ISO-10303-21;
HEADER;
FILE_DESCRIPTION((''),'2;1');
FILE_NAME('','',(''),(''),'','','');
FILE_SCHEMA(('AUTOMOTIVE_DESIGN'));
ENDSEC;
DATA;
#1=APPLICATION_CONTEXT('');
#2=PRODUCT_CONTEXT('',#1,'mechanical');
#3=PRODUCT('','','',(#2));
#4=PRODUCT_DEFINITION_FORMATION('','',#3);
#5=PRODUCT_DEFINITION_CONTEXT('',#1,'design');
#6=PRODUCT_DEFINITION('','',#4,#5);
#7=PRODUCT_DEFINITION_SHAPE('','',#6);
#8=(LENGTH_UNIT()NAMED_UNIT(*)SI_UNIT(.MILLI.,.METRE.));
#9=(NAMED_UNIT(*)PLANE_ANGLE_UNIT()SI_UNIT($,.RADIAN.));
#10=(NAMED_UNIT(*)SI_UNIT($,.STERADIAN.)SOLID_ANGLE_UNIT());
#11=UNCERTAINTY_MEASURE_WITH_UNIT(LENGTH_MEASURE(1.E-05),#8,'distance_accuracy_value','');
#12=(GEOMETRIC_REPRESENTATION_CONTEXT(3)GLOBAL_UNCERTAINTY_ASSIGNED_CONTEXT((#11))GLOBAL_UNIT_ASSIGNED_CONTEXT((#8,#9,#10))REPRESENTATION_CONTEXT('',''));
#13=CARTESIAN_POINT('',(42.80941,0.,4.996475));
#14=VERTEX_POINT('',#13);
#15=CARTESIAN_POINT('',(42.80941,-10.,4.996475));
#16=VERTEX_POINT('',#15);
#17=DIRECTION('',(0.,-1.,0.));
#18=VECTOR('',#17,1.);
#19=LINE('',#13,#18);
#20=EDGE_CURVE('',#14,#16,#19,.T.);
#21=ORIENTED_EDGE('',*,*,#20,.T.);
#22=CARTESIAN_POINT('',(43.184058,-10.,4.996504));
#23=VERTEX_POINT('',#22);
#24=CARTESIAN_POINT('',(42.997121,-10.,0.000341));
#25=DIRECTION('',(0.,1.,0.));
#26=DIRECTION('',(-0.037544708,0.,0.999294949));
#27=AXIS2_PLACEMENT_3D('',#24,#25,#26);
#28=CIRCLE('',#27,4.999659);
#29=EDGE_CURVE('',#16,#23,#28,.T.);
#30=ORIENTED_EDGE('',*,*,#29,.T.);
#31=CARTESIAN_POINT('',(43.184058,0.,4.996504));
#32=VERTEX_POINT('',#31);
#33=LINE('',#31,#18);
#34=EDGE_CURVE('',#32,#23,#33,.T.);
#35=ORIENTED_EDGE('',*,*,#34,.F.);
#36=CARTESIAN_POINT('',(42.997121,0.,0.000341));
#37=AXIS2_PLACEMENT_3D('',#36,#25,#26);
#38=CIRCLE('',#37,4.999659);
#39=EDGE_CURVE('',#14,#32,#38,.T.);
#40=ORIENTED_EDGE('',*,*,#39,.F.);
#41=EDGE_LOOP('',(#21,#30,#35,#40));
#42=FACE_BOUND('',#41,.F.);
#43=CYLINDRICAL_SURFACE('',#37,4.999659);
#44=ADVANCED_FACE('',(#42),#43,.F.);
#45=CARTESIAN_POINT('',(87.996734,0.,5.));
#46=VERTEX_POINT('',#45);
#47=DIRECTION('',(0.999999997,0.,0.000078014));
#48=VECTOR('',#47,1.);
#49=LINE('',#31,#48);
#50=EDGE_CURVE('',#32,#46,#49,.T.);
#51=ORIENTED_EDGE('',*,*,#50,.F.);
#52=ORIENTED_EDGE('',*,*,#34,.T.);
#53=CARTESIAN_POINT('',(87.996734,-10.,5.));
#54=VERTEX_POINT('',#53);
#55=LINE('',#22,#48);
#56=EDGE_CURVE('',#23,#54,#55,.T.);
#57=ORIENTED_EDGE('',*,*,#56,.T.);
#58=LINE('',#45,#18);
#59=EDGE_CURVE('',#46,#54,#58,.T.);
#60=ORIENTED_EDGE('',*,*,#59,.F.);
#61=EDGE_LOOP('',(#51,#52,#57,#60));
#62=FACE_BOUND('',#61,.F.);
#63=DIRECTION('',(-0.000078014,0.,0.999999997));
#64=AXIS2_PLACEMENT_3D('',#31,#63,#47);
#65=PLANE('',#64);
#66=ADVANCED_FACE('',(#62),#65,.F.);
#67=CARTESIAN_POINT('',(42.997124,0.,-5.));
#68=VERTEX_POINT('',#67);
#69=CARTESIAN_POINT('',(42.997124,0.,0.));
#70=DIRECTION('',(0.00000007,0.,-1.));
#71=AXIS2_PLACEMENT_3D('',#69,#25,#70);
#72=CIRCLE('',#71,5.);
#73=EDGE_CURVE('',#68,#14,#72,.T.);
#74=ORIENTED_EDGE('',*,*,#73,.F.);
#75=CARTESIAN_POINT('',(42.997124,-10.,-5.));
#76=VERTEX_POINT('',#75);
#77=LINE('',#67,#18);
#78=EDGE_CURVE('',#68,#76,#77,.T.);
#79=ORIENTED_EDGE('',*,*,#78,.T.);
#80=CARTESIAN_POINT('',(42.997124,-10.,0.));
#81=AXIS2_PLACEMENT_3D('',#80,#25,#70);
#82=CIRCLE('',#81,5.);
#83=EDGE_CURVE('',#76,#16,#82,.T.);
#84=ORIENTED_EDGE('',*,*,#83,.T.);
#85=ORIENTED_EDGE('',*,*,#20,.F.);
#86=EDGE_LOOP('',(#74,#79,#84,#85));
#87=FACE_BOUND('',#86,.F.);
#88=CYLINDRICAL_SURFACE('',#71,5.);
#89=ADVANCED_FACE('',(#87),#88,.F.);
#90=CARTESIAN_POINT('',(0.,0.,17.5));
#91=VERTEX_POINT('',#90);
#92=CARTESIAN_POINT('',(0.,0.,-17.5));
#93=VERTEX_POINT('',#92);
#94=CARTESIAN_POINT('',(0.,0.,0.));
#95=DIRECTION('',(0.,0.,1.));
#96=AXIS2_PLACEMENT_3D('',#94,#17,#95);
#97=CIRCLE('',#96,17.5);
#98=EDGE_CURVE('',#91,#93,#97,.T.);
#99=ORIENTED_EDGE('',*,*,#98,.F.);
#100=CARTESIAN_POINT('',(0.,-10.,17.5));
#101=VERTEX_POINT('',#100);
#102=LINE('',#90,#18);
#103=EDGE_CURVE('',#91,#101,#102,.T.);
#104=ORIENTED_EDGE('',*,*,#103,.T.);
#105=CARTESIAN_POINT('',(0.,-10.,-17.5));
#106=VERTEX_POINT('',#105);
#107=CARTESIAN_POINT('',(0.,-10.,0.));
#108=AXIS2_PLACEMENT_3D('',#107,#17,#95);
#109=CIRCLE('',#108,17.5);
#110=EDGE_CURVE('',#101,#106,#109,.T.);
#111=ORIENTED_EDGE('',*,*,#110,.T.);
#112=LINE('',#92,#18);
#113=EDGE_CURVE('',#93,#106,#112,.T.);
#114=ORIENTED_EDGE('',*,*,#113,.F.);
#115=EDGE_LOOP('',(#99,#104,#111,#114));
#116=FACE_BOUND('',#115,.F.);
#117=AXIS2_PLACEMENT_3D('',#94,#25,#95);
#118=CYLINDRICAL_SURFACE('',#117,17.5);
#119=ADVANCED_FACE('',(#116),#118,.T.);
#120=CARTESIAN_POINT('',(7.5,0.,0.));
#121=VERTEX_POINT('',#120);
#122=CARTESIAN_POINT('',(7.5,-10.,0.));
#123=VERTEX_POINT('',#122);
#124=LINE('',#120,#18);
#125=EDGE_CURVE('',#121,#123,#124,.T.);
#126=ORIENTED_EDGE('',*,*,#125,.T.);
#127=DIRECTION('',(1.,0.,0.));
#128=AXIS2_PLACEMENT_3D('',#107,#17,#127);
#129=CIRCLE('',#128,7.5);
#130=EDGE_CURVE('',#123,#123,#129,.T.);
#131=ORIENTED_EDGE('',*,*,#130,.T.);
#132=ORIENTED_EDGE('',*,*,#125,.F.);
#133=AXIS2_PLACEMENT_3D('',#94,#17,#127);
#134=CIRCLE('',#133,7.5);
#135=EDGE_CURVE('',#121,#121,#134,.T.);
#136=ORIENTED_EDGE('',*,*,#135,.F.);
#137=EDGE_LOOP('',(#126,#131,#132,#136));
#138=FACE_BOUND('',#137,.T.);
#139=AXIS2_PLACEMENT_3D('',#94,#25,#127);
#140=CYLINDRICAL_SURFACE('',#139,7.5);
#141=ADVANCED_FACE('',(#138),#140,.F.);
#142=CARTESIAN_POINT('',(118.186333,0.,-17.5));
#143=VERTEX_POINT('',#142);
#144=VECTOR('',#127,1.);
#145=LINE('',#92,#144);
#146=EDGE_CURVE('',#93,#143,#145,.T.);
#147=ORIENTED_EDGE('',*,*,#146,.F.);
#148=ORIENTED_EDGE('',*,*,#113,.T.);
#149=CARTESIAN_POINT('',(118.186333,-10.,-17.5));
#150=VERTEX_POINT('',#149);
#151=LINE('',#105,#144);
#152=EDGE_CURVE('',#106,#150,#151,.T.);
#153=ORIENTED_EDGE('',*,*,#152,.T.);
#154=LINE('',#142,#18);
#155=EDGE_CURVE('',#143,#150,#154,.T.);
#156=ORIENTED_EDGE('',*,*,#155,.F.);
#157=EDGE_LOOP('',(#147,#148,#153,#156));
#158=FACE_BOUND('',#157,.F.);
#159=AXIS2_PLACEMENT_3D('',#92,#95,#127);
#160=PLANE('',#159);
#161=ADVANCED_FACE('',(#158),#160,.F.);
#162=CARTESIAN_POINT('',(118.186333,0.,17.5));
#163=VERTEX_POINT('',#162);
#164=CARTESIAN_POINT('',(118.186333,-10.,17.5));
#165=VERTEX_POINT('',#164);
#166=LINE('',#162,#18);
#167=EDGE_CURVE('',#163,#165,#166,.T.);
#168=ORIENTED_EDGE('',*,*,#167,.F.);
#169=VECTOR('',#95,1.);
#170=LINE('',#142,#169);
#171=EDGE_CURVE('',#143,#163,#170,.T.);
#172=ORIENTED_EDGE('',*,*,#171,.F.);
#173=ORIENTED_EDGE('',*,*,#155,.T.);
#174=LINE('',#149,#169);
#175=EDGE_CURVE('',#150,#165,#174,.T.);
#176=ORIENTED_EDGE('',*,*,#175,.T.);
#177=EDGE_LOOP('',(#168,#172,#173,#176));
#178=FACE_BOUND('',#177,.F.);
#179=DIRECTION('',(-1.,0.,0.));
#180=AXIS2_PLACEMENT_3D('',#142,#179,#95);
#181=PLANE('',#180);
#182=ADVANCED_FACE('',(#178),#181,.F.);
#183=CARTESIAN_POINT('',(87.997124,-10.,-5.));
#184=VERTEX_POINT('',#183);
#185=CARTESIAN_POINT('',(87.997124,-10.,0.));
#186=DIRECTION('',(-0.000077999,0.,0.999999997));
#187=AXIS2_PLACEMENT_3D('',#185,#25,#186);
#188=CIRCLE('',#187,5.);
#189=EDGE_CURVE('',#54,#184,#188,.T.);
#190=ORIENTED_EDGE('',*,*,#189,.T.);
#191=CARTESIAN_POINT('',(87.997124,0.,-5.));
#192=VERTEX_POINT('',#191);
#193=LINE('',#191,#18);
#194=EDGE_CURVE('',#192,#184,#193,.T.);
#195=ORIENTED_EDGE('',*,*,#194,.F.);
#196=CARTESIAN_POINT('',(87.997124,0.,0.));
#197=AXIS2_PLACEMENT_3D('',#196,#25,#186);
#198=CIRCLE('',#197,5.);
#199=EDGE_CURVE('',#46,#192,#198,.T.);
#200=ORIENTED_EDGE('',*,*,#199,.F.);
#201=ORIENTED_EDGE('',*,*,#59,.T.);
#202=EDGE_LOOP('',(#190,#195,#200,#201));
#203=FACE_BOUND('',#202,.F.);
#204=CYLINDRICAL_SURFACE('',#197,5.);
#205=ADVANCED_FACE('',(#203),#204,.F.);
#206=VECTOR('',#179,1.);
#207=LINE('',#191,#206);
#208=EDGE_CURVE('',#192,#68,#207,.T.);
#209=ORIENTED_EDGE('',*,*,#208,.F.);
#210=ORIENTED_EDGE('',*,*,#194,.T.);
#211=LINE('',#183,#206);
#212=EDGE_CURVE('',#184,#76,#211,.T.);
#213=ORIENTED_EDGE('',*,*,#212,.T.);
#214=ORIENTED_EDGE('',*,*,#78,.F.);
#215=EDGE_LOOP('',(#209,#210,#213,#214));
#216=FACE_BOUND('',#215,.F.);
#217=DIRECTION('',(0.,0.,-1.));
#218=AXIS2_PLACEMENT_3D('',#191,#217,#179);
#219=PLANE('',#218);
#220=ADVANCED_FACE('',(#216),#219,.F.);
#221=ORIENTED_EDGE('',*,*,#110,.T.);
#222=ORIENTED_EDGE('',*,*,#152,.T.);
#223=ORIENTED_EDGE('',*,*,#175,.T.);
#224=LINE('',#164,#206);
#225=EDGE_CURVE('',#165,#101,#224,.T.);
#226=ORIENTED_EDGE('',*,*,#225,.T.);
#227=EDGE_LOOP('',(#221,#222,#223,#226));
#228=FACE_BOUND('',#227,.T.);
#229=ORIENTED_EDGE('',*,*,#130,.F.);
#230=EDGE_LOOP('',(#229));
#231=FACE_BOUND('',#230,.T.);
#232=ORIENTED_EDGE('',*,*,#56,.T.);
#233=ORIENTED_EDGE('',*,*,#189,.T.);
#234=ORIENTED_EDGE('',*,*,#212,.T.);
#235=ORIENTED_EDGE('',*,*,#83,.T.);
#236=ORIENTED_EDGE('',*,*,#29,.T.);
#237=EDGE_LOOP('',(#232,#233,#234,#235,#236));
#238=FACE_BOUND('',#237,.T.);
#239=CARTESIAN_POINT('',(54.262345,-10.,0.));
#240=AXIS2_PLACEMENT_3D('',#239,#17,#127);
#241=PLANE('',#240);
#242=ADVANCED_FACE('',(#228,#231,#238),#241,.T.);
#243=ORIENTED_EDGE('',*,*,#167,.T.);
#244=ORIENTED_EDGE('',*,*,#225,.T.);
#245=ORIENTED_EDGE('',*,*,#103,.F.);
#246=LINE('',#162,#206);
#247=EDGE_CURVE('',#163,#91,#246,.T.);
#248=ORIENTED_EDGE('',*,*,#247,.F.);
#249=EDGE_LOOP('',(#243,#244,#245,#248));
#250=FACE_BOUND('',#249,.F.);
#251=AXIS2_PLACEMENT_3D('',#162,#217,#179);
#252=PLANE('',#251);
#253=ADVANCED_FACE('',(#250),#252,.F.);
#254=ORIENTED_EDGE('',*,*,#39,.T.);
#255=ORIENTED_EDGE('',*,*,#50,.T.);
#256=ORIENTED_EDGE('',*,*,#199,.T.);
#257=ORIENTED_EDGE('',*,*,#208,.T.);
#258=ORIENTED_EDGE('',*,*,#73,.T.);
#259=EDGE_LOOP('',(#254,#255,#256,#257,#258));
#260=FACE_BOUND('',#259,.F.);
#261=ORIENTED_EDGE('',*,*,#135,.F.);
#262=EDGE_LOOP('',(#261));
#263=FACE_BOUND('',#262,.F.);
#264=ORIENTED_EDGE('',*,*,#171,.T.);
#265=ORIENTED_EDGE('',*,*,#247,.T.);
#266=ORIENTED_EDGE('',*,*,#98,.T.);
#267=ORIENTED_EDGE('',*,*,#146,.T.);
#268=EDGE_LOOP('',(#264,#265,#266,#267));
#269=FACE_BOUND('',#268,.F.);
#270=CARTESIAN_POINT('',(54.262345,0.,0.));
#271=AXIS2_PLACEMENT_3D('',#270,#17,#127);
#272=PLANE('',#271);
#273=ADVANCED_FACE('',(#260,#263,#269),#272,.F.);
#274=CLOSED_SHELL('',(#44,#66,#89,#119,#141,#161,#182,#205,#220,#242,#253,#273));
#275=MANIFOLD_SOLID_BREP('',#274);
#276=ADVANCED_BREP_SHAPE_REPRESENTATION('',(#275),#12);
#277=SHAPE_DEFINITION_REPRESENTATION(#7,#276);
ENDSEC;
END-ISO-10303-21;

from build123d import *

# Parameters (mm, degrees)
F0_R     = 7.5
F1_DEPTH = 10


with BuildPart() as f1:
    # F0 (on Front) → F1 (new body)
    with BuildSketch(Plane.XZ):
        with BuildLine():
            Line((118.186333, 17.5), (0, 17.5))
            ThreePointArc((0, 17.5), (-17.5, 0), (0, -17.5))
            Line((0, -17.5), (118.186333, -17.5))
            Line((118.186333, -17.5), (118.186333, 17.5))
        make_face()
        Circle(F0_R, mode=Mode.SUBTRACT)
        with BuildLine():
            ThreePointArc((42.80941, 4.996475), (42.996734, 5), (43.184058, 4.996504))
            Line((43.184058, 4.996504), (87.996734, 5))
            ThreePointArc((87.996734, 5), (92.997124, 0.000195), (87.997124, -5))
            Line((87.997124, -5), (42.997124, -5))
            ThreePointArc((42.997124, -5), (37.998005, -0.093873), (42.80941, 4.996475))
        make_face(mode=Mode.SUBTRACT)
    extrude(amount=F1_DEPTH)


solid = f1.part
